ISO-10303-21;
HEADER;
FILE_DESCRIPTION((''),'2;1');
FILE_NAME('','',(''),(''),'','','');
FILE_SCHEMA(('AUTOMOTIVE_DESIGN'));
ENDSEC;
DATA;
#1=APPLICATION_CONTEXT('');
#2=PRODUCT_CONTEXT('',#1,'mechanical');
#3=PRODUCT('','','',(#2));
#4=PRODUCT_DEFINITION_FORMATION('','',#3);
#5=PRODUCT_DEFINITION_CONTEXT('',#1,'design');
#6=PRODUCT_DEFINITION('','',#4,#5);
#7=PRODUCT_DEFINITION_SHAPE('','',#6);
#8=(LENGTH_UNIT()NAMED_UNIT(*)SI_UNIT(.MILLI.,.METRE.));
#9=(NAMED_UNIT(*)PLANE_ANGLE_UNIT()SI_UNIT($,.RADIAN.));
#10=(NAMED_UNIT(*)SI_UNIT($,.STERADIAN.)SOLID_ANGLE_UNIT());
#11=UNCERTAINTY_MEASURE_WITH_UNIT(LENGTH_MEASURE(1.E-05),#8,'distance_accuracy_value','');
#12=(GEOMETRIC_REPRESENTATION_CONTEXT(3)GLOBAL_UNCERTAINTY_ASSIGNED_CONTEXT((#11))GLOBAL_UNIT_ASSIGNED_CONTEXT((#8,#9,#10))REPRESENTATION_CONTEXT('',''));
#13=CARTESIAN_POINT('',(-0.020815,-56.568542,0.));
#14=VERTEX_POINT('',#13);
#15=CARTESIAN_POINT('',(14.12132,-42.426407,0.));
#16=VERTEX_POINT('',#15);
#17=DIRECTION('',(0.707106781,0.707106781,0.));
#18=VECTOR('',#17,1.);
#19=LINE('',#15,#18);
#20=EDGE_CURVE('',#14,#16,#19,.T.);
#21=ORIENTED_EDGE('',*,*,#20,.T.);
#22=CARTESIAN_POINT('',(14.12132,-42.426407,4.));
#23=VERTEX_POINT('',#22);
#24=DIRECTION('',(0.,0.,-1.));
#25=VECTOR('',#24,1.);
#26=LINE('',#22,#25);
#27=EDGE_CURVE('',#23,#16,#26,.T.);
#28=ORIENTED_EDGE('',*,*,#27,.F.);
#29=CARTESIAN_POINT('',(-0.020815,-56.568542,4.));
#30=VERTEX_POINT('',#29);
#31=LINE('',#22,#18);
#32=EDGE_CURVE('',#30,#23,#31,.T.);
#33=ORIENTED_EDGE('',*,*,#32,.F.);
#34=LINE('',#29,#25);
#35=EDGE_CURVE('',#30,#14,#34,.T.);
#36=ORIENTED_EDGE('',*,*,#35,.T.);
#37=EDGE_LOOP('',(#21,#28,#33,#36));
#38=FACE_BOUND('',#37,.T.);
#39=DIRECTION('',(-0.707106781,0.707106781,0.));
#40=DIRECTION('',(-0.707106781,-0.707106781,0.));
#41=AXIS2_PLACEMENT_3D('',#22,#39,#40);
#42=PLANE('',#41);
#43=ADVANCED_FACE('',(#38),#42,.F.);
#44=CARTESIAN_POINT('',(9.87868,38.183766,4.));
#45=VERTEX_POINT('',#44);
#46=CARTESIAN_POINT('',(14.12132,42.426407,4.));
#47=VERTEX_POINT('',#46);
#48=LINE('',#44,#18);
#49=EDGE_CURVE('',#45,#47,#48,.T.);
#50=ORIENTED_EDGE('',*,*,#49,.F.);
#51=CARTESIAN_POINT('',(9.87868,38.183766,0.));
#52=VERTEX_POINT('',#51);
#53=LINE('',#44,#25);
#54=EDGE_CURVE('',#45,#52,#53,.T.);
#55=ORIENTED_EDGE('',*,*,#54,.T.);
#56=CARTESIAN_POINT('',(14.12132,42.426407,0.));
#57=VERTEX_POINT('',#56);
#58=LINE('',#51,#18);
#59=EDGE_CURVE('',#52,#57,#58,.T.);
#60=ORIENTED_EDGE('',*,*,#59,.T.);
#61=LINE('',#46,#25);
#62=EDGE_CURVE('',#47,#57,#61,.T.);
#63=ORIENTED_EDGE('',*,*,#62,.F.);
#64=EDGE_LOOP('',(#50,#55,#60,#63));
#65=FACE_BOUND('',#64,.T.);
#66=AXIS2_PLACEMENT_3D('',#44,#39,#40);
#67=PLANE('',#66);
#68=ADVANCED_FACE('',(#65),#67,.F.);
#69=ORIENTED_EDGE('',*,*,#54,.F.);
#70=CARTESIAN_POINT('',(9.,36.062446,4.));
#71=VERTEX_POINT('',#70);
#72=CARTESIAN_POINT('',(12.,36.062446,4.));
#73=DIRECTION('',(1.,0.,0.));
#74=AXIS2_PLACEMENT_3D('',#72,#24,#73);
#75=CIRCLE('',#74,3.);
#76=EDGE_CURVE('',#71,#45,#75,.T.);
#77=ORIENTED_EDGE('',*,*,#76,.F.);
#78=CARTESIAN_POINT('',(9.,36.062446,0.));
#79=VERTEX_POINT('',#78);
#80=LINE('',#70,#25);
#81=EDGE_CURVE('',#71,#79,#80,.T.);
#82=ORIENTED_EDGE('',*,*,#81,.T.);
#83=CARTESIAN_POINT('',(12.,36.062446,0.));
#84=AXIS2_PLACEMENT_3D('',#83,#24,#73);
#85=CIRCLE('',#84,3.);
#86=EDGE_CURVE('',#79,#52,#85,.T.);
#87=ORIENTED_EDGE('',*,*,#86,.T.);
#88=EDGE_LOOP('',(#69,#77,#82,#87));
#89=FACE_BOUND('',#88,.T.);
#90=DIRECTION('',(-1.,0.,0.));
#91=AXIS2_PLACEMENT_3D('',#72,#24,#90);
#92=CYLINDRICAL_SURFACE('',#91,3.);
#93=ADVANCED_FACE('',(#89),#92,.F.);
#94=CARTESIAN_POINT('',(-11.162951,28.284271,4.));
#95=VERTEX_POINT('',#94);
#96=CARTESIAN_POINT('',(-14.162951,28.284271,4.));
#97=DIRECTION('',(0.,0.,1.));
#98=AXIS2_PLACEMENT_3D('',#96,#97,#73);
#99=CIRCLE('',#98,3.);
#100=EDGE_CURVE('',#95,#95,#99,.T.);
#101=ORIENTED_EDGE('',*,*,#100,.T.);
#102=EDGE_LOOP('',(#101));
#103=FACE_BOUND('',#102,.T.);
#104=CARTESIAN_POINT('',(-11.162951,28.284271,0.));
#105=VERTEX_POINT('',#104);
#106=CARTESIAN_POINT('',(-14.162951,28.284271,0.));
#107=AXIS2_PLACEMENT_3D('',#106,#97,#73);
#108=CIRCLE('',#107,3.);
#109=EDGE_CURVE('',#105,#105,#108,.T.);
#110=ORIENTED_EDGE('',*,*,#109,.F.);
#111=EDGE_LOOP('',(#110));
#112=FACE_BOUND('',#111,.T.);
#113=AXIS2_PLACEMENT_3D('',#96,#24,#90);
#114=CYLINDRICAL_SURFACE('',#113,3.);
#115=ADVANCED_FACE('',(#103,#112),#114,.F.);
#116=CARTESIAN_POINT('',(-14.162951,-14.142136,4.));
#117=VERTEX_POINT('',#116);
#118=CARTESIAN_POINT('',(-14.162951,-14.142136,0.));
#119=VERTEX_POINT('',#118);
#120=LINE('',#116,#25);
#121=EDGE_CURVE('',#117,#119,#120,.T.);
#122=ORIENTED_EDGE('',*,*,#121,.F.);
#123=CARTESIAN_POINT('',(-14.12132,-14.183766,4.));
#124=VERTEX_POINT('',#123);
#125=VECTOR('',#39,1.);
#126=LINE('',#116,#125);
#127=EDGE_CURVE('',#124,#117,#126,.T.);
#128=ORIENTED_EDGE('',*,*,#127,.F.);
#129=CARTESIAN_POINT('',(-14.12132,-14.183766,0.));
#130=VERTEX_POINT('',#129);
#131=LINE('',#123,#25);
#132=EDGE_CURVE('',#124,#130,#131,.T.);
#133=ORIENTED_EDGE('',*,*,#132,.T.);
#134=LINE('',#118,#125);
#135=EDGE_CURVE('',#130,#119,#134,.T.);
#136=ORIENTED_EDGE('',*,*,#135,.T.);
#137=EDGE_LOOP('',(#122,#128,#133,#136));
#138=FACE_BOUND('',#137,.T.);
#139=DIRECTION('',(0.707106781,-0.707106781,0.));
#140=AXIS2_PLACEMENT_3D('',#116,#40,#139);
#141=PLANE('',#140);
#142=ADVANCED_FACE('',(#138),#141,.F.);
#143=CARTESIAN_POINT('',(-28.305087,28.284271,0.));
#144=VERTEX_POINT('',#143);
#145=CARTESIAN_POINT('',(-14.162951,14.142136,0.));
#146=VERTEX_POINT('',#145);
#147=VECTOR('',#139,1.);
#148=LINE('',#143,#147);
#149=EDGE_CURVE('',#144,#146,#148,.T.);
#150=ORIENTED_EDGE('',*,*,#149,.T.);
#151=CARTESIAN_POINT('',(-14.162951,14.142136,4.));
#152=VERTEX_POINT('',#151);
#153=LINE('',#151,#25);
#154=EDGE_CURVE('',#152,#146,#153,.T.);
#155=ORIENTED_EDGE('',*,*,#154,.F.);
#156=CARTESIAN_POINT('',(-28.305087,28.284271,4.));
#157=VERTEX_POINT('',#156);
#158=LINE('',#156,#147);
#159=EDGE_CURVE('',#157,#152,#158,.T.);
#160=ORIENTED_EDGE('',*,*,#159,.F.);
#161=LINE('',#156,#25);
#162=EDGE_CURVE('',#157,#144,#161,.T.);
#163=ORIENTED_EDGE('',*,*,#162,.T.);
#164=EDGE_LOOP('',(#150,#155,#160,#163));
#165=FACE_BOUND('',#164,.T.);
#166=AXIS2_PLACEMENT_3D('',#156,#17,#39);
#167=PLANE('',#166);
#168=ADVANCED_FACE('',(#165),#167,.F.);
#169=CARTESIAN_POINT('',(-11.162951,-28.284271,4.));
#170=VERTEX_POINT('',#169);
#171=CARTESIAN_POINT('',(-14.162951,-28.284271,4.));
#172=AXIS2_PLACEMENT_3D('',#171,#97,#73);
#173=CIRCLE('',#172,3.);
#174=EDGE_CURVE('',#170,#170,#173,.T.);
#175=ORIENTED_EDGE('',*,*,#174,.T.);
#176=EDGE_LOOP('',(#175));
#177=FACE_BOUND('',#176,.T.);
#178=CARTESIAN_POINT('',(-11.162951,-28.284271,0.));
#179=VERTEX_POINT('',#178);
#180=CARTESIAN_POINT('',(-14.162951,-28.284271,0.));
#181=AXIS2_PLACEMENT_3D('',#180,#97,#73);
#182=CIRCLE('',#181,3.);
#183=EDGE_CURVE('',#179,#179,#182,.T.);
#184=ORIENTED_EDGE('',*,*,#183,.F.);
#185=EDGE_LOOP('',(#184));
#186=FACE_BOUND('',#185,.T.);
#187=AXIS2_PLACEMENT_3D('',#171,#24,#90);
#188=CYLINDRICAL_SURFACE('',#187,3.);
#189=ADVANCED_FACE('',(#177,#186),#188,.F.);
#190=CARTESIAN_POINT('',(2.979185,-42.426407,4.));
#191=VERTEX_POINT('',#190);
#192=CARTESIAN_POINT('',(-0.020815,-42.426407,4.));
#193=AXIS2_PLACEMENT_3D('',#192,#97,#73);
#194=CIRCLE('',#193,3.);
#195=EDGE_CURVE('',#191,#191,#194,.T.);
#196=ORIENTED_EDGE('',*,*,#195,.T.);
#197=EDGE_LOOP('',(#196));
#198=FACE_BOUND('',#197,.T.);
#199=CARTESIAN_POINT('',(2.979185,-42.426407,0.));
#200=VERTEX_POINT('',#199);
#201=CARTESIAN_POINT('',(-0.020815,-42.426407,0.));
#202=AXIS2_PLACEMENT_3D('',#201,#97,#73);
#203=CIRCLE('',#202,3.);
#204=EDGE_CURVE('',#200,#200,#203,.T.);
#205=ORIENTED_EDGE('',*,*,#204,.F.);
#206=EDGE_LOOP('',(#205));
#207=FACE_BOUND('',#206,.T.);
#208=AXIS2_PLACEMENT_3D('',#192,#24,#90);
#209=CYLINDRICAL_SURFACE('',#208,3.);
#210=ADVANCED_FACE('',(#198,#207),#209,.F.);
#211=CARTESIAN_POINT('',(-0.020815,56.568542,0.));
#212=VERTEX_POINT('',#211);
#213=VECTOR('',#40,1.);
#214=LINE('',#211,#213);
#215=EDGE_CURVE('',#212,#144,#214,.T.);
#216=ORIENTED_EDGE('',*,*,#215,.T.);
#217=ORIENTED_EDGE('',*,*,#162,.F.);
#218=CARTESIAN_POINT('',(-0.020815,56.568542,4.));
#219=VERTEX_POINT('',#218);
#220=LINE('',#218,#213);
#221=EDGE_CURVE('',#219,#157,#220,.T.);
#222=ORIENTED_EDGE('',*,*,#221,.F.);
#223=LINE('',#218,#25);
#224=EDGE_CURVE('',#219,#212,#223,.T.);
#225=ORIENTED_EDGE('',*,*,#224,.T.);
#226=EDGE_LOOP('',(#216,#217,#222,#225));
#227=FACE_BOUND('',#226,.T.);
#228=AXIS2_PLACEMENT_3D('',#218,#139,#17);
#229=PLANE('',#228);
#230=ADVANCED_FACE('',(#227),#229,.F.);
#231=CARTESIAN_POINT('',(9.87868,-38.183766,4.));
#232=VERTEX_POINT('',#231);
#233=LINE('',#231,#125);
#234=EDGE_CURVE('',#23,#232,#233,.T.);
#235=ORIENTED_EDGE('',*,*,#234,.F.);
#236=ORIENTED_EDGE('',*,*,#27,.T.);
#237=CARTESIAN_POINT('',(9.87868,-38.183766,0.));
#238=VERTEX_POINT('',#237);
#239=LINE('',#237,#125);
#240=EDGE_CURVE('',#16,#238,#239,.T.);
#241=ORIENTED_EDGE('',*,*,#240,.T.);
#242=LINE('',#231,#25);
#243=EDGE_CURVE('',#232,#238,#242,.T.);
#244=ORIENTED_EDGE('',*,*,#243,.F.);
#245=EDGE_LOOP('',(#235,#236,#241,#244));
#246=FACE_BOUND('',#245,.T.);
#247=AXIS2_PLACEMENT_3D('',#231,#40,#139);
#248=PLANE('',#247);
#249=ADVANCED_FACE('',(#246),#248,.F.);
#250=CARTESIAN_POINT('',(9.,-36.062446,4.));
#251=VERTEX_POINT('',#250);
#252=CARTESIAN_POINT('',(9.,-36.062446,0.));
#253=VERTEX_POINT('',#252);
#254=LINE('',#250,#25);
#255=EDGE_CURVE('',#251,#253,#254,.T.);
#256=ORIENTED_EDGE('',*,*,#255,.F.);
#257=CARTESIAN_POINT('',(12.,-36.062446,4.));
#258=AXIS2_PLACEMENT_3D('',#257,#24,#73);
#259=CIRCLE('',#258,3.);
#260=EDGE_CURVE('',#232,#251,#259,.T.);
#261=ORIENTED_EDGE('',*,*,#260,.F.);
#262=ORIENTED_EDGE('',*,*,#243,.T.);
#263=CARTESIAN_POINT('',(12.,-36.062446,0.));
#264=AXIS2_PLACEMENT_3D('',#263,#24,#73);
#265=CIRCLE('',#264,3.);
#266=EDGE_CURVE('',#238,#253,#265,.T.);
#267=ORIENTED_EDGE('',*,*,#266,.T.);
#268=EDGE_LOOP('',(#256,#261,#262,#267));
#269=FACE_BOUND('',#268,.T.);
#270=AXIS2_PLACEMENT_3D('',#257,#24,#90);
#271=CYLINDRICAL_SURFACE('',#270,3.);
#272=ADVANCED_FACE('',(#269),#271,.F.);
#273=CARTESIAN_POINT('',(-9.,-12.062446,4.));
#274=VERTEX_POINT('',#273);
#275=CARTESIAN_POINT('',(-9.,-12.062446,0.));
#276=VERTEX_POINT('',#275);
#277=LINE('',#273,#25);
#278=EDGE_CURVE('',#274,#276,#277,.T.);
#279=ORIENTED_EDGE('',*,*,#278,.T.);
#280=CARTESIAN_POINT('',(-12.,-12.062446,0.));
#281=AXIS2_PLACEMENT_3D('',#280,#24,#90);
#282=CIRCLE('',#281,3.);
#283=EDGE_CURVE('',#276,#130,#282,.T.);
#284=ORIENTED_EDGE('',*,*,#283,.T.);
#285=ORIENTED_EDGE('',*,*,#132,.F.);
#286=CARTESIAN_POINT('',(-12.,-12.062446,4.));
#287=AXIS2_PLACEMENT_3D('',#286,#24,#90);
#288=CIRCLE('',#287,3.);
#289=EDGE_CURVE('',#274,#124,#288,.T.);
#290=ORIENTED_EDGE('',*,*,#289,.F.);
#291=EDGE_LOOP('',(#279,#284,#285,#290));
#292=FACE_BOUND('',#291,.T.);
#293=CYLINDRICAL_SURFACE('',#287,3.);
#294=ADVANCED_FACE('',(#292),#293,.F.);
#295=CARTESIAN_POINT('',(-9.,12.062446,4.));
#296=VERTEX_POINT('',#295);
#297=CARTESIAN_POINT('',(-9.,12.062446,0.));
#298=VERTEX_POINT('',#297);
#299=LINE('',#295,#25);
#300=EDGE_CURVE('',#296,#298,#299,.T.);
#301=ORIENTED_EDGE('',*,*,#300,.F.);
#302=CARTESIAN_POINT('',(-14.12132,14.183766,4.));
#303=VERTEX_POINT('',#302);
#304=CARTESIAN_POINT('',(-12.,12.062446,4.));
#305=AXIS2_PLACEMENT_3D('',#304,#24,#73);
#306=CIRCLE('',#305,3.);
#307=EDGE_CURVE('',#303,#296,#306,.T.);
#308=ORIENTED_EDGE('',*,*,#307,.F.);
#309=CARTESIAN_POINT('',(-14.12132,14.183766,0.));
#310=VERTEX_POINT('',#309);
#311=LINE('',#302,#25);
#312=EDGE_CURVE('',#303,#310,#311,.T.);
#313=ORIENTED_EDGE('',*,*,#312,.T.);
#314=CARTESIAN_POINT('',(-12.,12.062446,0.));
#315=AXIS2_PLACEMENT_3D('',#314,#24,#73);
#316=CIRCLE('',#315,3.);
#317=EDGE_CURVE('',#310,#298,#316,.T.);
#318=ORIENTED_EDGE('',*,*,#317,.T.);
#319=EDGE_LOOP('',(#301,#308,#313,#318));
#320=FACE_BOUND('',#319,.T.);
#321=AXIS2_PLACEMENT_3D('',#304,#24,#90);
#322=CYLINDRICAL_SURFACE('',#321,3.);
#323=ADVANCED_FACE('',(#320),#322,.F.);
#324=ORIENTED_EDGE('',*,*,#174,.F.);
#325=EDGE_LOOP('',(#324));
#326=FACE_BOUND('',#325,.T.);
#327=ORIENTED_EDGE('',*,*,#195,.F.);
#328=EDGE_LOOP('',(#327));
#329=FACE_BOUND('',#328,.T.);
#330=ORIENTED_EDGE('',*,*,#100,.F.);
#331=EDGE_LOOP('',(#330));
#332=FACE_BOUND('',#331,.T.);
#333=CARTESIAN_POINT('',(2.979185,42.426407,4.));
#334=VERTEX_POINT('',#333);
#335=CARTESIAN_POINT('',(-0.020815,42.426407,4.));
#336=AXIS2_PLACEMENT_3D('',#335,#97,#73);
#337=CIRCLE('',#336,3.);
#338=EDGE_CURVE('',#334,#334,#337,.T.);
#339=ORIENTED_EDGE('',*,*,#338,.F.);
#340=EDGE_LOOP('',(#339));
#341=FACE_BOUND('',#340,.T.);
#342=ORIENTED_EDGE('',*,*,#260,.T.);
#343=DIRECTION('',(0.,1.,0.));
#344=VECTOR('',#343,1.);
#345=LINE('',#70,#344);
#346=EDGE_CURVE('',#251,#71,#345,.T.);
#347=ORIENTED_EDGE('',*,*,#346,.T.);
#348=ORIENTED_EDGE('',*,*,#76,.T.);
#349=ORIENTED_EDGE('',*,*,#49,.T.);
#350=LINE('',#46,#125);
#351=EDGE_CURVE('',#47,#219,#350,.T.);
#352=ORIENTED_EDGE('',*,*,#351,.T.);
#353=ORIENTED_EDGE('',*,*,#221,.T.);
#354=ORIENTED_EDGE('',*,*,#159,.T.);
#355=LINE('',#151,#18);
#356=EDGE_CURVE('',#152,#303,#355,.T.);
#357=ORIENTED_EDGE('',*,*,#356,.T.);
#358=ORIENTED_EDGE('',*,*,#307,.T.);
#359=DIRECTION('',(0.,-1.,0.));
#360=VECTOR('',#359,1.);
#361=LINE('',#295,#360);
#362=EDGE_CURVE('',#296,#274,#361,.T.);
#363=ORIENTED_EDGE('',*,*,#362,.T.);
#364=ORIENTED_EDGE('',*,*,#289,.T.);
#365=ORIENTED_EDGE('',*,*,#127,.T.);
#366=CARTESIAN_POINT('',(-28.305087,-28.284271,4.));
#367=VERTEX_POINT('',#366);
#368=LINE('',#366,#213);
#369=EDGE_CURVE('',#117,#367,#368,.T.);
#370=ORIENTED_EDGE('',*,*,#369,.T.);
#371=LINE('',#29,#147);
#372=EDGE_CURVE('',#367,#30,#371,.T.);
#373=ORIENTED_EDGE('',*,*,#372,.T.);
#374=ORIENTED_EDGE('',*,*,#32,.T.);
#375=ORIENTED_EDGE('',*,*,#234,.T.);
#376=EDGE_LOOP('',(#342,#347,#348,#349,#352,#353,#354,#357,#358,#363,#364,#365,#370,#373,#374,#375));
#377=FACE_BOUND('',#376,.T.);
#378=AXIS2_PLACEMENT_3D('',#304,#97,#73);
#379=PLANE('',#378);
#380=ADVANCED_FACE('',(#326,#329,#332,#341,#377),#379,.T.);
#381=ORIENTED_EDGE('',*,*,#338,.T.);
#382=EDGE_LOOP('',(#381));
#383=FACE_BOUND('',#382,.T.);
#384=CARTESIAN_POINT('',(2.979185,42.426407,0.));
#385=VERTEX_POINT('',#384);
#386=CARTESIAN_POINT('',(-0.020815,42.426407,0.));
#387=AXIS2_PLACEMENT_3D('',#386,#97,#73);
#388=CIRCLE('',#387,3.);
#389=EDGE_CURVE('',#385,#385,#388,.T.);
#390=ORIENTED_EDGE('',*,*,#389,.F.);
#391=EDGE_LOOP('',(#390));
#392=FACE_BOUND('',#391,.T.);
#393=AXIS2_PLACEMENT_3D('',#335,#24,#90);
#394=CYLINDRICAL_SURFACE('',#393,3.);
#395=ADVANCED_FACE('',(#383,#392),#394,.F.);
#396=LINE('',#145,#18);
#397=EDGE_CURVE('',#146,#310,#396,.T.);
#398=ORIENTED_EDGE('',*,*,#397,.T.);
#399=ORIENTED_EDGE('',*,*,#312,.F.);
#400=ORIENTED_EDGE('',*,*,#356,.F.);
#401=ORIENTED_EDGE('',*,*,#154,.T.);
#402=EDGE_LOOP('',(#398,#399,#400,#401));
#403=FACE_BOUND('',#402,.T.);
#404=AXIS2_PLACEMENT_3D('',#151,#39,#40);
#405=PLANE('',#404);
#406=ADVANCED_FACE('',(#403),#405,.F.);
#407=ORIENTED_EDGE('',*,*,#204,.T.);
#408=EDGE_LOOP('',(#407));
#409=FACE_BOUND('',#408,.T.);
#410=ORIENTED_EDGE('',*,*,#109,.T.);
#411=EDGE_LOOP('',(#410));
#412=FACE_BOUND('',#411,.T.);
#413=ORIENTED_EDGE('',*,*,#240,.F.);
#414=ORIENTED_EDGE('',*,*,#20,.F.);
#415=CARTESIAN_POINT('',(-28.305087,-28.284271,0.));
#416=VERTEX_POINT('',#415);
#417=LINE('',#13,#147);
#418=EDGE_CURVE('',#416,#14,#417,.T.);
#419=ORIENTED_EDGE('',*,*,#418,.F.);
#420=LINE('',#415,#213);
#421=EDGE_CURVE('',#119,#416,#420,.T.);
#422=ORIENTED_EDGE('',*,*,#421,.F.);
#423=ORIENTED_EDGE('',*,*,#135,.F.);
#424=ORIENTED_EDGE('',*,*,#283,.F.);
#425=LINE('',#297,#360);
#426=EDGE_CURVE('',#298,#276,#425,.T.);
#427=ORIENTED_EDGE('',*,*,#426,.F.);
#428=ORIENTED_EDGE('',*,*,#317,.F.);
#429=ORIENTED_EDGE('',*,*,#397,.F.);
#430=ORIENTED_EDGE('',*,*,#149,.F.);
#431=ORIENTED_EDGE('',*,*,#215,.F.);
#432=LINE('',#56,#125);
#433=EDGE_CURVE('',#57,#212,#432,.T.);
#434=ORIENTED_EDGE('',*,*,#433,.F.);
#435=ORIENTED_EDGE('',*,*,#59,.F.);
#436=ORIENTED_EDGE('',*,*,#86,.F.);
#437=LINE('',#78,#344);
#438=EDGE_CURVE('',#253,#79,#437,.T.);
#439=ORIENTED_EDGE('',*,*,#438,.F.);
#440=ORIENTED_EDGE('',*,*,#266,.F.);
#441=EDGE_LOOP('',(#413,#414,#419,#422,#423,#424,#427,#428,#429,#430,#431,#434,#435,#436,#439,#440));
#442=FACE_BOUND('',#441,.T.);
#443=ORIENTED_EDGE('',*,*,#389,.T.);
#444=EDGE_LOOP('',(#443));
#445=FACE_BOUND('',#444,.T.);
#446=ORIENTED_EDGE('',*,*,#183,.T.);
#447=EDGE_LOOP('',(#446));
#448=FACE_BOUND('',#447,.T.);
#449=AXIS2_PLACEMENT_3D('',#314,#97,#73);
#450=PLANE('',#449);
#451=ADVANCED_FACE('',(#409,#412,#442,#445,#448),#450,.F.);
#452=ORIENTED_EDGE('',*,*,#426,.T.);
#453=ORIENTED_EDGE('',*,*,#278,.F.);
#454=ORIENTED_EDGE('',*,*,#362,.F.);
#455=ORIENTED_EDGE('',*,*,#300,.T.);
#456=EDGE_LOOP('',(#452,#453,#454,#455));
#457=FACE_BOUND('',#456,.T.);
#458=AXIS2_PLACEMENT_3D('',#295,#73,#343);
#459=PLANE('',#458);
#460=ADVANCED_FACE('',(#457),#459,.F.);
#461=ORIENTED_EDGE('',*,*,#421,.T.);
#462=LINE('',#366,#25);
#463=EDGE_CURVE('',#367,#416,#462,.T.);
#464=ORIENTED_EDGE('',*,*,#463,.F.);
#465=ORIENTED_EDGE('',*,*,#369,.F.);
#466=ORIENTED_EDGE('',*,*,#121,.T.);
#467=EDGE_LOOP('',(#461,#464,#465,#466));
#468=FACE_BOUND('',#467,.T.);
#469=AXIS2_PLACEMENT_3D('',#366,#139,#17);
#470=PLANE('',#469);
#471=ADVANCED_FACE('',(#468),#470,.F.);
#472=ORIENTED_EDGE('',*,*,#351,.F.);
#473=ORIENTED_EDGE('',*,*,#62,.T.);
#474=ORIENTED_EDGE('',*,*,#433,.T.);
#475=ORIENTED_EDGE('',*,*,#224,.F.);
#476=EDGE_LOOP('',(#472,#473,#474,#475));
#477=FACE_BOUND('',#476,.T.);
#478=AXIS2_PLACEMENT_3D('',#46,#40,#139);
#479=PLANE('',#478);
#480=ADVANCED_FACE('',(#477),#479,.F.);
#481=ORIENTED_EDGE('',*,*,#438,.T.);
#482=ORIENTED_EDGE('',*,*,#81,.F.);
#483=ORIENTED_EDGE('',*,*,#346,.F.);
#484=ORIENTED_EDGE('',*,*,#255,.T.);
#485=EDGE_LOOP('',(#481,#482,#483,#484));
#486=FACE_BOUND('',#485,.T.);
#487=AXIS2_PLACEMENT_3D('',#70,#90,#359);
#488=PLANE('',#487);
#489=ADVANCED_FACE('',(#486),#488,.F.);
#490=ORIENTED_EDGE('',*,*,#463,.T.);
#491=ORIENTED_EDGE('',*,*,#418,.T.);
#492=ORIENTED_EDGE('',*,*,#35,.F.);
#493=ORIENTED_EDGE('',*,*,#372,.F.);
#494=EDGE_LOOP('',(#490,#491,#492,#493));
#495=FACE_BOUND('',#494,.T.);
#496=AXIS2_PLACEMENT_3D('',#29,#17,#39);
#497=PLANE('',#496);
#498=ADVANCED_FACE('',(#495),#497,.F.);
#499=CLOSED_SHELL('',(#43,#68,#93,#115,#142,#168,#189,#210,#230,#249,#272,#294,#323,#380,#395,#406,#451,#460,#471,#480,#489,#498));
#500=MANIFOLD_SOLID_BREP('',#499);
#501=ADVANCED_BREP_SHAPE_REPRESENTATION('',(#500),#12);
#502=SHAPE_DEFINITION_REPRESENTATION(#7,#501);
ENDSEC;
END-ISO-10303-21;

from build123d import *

# Parameters (mm, degrees)
SKETCH1_R           = 3
BOSS_EXTRUDE1_DEPTH = 4


with BuildPart() as part:
    # Sketch1 → Boss-Extrude1 (new body)
    with BuildSketch(Plane.XY):
        with BuildLine():
            Line((-14.162950904, 14.142135624), (-14.121320344, 14.183766184))
            ThreePointArc((-14.121320344, 14.183766184), (-10.851949703, 14.834084438), (-9, 12.062445841))
            Line((-9, 12.062445841), (-9, -12.062445841))
            ThreePointArc((-9, -12.062445841), (-10.851949703, -14.834084438), (-14.121320344, -14.183766184))
            Line((-14.121320344, -14.183766184), (-14.162950904, -14.142135624))
            Line((-14.162950904, -14.142135624), (-28.305086528, -28.284271247))
            Line((-28.305086528, -28.284271247), (-0.02081528, -56.568542495))
            Line((-0.02081528, -56.568542495), (14.121320344, -42.426406871))
            Line((14.121320344, -42.426406871), (9.878679656, -38.183766184))
            ThreePointArc((9.878679656, -38.183766184), (9.228361402, -37.210496138), (9, -36.062445841))
            Line((9, -36.062445841), (9, 36.062445841))
            ThreePointArc((9, 36.062445841), (9.228361402, 37.210496138), (9.878679656, 38.183766184))
            Line((9.878679656, 38.183766184), (14.121320344, 42.426406871))
            Line((14.121320344, 42.426406871), (-0.02081528, 56.568542495))
            Line((-0.02081528, 56.568542495), (-28.305086528, 28.284271247))
            Line((-28.305086528, 28.284271247), (-14.162950904, 14.142135624))
        make_face()
        with Locations((-0.02081528, 42.426406871)):
            Circle(SKETCH1_R, mode=Mode.SUBTRACT)
        with Locations((-14.162950904, 28.284271247)):
            Circle(SKETCH1_R, mode=Mode.SUBTRACT)
        with Locations((-14.162950904, -28.284271247)):
            Circle(SKETCH1_R, mode=Mode.SUBTRACT)
        with Locations((-0.02081528, -42.426406871)):
            Circle(SKETCH1_R, mode=Mode.SUBTRACT)
    extrude(amount=BOSS_EXTRUDE1_DEPTH)


solid = part.part
